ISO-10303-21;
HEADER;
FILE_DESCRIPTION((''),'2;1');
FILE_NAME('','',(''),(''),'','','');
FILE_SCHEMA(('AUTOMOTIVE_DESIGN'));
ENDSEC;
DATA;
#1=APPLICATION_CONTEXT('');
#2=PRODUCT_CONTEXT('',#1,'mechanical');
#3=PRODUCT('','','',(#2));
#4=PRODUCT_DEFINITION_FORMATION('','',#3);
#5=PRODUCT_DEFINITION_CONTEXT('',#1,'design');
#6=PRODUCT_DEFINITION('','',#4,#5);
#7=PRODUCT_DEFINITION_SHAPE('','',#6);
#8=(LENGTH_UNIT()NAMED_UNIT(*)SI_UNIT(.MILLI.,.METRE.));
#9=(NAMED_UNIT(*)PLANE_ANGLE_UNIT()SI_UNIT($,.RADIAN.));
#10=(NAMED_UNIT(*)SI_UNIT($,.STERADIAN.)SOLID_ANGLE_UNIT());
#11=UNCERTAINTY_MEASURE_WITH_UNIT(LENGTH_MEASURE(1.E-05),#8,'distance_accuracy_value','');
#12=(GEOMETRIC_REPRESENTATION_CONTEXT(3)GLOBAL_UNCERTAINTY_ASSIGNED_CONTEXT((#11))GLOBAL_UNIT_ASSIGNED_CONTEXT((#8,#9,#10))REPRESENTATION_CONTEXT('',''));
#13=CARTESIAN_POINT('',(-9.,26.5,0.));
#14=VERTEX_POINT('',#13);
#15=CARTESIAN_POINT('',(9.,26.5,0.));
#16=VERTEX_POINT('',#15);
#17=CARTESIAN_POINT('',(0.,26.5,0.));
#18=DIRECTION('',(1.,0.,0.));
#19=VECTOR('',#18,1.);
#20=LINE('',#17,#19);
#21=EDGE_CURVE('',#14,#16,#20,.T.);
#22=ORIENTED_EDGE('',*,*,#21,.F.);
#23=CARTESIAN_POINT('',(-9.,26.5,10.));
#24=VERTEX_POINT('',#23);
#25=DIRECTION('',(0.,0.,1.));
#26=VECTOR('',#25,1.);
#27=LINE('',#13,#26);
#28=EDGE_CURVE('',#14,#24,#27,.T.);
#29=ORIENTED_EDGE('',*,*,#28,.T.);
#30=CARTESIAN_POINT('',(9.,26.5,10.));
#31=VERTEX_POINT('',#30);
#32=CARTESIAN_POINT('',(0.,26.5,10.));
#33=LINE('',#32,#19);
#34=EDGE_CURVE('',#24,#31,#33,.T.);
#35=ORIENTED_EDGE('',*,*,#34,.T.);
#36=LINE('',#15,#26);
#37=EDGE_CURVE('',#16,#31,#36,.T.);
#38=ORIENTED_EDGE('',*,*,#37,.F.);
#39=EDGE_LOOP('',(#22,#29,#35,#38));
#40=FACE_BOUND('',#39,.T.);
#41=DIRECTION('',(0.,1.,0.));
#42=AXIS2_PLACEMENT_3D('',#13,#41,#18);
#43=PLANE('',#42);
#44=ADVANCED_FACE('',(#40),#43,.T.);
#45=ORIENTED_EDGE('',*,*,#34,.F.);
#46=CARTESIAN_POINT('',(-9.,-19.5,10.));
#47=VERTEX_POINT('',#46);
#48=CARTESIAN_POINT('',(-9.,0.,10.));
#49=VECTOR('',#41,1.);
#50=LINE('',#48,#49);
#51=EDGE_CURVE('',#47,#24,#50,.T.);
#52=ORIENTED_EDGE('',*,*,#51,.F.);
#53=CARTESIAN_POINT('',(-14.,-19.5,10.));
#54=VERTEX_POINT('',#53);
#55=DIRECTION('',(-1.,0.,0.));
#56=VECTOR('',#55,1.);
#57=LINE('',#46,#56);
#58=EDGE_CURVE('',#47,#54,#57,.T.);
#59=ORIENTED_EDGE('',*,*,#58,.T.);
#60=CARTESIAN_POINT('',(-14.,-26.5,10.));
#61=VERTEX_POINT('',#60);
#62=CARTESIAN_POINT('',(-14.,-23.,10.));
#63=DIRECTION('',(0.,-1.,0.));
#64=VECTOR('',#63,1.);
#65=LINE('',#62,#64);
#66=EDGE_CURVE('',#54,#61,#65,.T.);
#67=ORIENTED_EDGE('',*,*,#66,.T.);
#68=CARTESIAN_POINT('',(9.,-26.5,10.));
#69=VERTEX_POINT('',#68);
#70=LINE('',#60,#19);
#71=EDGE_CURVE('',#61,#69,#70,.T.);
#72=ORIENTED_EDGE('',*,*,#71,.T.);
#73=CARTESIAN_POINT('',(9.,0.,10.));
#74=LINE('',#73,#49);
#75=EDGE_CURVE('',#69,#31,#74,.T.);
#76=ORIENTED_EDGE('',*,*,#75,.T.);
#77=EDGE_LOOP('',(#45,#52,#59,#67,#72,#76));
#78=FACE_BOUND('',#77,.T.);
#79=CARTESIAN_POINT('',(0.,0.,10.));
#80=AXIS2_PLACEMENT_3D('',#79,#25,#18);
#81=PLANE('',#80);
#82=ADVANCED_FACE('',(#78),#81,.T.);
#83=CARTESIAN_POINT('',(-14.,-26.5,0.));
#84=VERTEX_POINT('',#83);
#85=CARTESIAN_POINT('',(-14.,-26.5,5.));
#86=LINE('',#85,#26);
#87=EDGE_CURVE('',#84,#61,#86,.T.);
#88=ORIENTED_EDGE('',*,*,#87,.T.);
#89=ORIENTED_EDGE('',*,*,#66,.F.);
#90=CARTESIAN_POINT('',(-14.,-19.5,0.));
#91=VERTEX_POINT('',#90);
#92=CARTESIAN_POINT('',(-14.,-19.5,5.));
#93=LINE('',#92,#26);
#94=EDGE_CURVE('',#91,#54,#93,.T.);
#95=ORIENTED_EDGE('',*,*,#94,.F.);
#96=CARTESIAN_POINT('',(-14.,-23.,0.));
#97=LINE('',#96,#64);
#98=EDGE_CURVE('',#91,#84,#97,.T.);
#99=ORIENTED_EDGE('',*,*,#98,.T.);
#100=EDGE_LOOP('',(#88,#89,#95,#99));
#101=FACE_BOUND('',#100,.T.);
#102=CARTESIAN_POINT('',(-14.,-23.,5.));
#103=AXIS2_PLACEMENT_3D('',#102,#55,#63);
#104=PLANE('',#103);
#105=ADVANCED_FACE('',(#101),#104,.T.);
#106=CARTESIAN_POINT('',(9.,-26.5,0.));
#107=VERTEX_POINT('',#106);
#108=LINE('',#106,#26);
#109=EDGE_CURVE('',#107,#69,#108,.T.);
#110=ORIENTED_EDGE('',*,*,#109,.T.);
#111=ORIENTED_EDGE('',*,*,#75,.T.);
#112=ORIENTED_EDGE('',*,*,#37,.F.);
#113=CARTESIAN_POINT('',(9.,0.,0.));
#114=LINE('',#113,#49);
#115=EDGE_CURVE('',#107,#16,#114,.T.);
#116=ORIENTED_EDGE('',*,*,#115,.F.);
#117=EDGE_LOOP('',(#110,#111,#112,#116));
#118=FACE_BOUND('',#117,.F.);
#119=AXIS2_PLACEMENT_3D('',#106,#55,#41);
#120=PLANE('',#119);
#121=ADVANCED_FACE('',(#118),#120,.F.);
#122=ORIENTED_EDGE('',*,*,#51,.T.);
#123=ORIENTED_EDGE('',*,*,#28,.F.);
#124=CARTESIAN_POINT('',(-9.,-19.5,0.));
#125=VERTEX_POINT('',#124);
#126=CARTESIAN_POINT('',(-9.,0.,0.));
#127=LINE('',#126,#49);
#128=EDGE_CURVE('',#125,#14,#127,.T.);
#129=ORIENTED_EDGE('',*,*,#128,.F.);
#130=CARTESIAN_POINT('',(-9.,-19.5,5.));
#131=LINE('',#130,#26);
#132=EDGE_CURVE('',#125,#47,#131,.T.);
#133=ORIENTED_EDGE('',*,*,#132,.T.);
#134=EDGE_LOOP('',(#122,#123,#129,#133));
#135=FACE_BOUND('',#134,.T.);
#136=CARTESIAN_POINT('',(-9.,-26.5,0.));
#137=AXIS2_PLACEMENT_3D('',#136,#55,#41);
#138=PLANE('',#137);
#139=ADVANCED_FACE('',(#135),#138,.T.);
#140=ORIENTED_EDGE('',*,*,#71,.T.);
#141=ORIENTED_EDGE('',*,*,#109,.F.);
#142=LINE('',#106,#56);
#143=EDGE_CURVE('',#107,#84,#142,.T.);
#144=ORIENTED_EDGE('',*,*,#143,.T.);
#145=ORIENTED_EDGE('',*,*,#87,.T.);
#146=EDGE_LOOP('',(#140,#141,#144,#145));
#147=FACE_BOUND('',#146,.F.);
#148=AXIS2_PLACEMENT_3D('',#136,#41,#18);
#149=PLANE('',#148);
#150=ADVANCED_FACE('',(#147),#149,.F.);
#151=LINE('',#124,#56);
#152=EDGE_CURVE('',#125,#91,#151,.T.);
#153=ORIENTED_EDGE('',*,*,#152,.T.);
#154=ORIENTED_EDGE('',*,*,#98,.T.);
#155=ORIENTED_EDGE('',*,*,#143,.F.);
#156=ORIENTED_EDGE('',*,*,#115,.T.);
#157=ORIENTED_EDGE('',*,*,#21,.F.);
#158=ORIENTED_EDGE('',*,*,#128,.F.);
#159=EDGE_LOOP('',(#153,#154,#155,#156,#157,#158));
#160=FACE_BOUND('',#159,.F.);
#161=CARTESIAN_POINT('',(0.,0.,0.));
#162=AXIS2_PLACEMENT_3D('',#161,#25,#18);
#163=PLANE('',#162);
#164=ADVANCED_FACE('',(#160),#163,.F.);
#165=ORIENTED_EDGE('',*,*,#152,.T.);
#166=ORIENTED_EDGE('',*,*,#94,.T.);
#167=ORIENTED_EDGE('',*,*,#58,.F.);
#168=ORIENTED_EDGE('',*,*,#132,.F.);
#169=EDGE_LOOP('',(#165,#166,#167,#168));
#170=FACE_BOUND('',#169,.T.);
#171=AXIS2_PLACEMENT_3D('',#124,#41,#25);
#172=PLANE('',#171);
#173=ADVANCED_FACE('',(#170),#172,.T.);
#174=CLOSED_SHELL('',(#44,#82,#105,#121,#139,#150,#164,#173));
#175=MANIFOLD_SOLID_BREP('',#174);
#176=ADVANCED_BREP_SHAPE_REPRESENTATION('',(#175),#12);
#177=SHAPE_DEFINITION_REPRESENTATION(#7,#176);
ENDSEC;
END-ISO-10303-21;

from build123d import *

# Parameters (mm, degrees)
SKETCH_W         = 18
SKETCH_H         = 53
EXTRUDE_DEPTH    = 10
SKETCH001_W      = 7
SKETCH001_H      = 10
EXTRUDE001_DEPTH = 5


with BuildPart() as body:
    # Sketch → Extrude (new body)
    with BuildSketch(Plane.XY):
        Rectangle(SKETCH_W, SKETCH_H)
    extrude(amount=EXTRUDE_DEPTH)


with BuildPart() as battery:
    # Sketch001 (on Face4 of Extrude) → Extrude001 (new body)
    with BuildSketch(Plane(origin=(-9, 0, 0), x_dir=(0, -1, 0), z_dir=(-1, 0, 0))):
        with Locations((23, 5)):
            Rectangle(SKETCH001_W, SKETCH001_H)
    extrude(amount=EXTRUDE001_DEPTH)

    # Fusion: union BOdy
    add(body.part)


solid = battery.part
